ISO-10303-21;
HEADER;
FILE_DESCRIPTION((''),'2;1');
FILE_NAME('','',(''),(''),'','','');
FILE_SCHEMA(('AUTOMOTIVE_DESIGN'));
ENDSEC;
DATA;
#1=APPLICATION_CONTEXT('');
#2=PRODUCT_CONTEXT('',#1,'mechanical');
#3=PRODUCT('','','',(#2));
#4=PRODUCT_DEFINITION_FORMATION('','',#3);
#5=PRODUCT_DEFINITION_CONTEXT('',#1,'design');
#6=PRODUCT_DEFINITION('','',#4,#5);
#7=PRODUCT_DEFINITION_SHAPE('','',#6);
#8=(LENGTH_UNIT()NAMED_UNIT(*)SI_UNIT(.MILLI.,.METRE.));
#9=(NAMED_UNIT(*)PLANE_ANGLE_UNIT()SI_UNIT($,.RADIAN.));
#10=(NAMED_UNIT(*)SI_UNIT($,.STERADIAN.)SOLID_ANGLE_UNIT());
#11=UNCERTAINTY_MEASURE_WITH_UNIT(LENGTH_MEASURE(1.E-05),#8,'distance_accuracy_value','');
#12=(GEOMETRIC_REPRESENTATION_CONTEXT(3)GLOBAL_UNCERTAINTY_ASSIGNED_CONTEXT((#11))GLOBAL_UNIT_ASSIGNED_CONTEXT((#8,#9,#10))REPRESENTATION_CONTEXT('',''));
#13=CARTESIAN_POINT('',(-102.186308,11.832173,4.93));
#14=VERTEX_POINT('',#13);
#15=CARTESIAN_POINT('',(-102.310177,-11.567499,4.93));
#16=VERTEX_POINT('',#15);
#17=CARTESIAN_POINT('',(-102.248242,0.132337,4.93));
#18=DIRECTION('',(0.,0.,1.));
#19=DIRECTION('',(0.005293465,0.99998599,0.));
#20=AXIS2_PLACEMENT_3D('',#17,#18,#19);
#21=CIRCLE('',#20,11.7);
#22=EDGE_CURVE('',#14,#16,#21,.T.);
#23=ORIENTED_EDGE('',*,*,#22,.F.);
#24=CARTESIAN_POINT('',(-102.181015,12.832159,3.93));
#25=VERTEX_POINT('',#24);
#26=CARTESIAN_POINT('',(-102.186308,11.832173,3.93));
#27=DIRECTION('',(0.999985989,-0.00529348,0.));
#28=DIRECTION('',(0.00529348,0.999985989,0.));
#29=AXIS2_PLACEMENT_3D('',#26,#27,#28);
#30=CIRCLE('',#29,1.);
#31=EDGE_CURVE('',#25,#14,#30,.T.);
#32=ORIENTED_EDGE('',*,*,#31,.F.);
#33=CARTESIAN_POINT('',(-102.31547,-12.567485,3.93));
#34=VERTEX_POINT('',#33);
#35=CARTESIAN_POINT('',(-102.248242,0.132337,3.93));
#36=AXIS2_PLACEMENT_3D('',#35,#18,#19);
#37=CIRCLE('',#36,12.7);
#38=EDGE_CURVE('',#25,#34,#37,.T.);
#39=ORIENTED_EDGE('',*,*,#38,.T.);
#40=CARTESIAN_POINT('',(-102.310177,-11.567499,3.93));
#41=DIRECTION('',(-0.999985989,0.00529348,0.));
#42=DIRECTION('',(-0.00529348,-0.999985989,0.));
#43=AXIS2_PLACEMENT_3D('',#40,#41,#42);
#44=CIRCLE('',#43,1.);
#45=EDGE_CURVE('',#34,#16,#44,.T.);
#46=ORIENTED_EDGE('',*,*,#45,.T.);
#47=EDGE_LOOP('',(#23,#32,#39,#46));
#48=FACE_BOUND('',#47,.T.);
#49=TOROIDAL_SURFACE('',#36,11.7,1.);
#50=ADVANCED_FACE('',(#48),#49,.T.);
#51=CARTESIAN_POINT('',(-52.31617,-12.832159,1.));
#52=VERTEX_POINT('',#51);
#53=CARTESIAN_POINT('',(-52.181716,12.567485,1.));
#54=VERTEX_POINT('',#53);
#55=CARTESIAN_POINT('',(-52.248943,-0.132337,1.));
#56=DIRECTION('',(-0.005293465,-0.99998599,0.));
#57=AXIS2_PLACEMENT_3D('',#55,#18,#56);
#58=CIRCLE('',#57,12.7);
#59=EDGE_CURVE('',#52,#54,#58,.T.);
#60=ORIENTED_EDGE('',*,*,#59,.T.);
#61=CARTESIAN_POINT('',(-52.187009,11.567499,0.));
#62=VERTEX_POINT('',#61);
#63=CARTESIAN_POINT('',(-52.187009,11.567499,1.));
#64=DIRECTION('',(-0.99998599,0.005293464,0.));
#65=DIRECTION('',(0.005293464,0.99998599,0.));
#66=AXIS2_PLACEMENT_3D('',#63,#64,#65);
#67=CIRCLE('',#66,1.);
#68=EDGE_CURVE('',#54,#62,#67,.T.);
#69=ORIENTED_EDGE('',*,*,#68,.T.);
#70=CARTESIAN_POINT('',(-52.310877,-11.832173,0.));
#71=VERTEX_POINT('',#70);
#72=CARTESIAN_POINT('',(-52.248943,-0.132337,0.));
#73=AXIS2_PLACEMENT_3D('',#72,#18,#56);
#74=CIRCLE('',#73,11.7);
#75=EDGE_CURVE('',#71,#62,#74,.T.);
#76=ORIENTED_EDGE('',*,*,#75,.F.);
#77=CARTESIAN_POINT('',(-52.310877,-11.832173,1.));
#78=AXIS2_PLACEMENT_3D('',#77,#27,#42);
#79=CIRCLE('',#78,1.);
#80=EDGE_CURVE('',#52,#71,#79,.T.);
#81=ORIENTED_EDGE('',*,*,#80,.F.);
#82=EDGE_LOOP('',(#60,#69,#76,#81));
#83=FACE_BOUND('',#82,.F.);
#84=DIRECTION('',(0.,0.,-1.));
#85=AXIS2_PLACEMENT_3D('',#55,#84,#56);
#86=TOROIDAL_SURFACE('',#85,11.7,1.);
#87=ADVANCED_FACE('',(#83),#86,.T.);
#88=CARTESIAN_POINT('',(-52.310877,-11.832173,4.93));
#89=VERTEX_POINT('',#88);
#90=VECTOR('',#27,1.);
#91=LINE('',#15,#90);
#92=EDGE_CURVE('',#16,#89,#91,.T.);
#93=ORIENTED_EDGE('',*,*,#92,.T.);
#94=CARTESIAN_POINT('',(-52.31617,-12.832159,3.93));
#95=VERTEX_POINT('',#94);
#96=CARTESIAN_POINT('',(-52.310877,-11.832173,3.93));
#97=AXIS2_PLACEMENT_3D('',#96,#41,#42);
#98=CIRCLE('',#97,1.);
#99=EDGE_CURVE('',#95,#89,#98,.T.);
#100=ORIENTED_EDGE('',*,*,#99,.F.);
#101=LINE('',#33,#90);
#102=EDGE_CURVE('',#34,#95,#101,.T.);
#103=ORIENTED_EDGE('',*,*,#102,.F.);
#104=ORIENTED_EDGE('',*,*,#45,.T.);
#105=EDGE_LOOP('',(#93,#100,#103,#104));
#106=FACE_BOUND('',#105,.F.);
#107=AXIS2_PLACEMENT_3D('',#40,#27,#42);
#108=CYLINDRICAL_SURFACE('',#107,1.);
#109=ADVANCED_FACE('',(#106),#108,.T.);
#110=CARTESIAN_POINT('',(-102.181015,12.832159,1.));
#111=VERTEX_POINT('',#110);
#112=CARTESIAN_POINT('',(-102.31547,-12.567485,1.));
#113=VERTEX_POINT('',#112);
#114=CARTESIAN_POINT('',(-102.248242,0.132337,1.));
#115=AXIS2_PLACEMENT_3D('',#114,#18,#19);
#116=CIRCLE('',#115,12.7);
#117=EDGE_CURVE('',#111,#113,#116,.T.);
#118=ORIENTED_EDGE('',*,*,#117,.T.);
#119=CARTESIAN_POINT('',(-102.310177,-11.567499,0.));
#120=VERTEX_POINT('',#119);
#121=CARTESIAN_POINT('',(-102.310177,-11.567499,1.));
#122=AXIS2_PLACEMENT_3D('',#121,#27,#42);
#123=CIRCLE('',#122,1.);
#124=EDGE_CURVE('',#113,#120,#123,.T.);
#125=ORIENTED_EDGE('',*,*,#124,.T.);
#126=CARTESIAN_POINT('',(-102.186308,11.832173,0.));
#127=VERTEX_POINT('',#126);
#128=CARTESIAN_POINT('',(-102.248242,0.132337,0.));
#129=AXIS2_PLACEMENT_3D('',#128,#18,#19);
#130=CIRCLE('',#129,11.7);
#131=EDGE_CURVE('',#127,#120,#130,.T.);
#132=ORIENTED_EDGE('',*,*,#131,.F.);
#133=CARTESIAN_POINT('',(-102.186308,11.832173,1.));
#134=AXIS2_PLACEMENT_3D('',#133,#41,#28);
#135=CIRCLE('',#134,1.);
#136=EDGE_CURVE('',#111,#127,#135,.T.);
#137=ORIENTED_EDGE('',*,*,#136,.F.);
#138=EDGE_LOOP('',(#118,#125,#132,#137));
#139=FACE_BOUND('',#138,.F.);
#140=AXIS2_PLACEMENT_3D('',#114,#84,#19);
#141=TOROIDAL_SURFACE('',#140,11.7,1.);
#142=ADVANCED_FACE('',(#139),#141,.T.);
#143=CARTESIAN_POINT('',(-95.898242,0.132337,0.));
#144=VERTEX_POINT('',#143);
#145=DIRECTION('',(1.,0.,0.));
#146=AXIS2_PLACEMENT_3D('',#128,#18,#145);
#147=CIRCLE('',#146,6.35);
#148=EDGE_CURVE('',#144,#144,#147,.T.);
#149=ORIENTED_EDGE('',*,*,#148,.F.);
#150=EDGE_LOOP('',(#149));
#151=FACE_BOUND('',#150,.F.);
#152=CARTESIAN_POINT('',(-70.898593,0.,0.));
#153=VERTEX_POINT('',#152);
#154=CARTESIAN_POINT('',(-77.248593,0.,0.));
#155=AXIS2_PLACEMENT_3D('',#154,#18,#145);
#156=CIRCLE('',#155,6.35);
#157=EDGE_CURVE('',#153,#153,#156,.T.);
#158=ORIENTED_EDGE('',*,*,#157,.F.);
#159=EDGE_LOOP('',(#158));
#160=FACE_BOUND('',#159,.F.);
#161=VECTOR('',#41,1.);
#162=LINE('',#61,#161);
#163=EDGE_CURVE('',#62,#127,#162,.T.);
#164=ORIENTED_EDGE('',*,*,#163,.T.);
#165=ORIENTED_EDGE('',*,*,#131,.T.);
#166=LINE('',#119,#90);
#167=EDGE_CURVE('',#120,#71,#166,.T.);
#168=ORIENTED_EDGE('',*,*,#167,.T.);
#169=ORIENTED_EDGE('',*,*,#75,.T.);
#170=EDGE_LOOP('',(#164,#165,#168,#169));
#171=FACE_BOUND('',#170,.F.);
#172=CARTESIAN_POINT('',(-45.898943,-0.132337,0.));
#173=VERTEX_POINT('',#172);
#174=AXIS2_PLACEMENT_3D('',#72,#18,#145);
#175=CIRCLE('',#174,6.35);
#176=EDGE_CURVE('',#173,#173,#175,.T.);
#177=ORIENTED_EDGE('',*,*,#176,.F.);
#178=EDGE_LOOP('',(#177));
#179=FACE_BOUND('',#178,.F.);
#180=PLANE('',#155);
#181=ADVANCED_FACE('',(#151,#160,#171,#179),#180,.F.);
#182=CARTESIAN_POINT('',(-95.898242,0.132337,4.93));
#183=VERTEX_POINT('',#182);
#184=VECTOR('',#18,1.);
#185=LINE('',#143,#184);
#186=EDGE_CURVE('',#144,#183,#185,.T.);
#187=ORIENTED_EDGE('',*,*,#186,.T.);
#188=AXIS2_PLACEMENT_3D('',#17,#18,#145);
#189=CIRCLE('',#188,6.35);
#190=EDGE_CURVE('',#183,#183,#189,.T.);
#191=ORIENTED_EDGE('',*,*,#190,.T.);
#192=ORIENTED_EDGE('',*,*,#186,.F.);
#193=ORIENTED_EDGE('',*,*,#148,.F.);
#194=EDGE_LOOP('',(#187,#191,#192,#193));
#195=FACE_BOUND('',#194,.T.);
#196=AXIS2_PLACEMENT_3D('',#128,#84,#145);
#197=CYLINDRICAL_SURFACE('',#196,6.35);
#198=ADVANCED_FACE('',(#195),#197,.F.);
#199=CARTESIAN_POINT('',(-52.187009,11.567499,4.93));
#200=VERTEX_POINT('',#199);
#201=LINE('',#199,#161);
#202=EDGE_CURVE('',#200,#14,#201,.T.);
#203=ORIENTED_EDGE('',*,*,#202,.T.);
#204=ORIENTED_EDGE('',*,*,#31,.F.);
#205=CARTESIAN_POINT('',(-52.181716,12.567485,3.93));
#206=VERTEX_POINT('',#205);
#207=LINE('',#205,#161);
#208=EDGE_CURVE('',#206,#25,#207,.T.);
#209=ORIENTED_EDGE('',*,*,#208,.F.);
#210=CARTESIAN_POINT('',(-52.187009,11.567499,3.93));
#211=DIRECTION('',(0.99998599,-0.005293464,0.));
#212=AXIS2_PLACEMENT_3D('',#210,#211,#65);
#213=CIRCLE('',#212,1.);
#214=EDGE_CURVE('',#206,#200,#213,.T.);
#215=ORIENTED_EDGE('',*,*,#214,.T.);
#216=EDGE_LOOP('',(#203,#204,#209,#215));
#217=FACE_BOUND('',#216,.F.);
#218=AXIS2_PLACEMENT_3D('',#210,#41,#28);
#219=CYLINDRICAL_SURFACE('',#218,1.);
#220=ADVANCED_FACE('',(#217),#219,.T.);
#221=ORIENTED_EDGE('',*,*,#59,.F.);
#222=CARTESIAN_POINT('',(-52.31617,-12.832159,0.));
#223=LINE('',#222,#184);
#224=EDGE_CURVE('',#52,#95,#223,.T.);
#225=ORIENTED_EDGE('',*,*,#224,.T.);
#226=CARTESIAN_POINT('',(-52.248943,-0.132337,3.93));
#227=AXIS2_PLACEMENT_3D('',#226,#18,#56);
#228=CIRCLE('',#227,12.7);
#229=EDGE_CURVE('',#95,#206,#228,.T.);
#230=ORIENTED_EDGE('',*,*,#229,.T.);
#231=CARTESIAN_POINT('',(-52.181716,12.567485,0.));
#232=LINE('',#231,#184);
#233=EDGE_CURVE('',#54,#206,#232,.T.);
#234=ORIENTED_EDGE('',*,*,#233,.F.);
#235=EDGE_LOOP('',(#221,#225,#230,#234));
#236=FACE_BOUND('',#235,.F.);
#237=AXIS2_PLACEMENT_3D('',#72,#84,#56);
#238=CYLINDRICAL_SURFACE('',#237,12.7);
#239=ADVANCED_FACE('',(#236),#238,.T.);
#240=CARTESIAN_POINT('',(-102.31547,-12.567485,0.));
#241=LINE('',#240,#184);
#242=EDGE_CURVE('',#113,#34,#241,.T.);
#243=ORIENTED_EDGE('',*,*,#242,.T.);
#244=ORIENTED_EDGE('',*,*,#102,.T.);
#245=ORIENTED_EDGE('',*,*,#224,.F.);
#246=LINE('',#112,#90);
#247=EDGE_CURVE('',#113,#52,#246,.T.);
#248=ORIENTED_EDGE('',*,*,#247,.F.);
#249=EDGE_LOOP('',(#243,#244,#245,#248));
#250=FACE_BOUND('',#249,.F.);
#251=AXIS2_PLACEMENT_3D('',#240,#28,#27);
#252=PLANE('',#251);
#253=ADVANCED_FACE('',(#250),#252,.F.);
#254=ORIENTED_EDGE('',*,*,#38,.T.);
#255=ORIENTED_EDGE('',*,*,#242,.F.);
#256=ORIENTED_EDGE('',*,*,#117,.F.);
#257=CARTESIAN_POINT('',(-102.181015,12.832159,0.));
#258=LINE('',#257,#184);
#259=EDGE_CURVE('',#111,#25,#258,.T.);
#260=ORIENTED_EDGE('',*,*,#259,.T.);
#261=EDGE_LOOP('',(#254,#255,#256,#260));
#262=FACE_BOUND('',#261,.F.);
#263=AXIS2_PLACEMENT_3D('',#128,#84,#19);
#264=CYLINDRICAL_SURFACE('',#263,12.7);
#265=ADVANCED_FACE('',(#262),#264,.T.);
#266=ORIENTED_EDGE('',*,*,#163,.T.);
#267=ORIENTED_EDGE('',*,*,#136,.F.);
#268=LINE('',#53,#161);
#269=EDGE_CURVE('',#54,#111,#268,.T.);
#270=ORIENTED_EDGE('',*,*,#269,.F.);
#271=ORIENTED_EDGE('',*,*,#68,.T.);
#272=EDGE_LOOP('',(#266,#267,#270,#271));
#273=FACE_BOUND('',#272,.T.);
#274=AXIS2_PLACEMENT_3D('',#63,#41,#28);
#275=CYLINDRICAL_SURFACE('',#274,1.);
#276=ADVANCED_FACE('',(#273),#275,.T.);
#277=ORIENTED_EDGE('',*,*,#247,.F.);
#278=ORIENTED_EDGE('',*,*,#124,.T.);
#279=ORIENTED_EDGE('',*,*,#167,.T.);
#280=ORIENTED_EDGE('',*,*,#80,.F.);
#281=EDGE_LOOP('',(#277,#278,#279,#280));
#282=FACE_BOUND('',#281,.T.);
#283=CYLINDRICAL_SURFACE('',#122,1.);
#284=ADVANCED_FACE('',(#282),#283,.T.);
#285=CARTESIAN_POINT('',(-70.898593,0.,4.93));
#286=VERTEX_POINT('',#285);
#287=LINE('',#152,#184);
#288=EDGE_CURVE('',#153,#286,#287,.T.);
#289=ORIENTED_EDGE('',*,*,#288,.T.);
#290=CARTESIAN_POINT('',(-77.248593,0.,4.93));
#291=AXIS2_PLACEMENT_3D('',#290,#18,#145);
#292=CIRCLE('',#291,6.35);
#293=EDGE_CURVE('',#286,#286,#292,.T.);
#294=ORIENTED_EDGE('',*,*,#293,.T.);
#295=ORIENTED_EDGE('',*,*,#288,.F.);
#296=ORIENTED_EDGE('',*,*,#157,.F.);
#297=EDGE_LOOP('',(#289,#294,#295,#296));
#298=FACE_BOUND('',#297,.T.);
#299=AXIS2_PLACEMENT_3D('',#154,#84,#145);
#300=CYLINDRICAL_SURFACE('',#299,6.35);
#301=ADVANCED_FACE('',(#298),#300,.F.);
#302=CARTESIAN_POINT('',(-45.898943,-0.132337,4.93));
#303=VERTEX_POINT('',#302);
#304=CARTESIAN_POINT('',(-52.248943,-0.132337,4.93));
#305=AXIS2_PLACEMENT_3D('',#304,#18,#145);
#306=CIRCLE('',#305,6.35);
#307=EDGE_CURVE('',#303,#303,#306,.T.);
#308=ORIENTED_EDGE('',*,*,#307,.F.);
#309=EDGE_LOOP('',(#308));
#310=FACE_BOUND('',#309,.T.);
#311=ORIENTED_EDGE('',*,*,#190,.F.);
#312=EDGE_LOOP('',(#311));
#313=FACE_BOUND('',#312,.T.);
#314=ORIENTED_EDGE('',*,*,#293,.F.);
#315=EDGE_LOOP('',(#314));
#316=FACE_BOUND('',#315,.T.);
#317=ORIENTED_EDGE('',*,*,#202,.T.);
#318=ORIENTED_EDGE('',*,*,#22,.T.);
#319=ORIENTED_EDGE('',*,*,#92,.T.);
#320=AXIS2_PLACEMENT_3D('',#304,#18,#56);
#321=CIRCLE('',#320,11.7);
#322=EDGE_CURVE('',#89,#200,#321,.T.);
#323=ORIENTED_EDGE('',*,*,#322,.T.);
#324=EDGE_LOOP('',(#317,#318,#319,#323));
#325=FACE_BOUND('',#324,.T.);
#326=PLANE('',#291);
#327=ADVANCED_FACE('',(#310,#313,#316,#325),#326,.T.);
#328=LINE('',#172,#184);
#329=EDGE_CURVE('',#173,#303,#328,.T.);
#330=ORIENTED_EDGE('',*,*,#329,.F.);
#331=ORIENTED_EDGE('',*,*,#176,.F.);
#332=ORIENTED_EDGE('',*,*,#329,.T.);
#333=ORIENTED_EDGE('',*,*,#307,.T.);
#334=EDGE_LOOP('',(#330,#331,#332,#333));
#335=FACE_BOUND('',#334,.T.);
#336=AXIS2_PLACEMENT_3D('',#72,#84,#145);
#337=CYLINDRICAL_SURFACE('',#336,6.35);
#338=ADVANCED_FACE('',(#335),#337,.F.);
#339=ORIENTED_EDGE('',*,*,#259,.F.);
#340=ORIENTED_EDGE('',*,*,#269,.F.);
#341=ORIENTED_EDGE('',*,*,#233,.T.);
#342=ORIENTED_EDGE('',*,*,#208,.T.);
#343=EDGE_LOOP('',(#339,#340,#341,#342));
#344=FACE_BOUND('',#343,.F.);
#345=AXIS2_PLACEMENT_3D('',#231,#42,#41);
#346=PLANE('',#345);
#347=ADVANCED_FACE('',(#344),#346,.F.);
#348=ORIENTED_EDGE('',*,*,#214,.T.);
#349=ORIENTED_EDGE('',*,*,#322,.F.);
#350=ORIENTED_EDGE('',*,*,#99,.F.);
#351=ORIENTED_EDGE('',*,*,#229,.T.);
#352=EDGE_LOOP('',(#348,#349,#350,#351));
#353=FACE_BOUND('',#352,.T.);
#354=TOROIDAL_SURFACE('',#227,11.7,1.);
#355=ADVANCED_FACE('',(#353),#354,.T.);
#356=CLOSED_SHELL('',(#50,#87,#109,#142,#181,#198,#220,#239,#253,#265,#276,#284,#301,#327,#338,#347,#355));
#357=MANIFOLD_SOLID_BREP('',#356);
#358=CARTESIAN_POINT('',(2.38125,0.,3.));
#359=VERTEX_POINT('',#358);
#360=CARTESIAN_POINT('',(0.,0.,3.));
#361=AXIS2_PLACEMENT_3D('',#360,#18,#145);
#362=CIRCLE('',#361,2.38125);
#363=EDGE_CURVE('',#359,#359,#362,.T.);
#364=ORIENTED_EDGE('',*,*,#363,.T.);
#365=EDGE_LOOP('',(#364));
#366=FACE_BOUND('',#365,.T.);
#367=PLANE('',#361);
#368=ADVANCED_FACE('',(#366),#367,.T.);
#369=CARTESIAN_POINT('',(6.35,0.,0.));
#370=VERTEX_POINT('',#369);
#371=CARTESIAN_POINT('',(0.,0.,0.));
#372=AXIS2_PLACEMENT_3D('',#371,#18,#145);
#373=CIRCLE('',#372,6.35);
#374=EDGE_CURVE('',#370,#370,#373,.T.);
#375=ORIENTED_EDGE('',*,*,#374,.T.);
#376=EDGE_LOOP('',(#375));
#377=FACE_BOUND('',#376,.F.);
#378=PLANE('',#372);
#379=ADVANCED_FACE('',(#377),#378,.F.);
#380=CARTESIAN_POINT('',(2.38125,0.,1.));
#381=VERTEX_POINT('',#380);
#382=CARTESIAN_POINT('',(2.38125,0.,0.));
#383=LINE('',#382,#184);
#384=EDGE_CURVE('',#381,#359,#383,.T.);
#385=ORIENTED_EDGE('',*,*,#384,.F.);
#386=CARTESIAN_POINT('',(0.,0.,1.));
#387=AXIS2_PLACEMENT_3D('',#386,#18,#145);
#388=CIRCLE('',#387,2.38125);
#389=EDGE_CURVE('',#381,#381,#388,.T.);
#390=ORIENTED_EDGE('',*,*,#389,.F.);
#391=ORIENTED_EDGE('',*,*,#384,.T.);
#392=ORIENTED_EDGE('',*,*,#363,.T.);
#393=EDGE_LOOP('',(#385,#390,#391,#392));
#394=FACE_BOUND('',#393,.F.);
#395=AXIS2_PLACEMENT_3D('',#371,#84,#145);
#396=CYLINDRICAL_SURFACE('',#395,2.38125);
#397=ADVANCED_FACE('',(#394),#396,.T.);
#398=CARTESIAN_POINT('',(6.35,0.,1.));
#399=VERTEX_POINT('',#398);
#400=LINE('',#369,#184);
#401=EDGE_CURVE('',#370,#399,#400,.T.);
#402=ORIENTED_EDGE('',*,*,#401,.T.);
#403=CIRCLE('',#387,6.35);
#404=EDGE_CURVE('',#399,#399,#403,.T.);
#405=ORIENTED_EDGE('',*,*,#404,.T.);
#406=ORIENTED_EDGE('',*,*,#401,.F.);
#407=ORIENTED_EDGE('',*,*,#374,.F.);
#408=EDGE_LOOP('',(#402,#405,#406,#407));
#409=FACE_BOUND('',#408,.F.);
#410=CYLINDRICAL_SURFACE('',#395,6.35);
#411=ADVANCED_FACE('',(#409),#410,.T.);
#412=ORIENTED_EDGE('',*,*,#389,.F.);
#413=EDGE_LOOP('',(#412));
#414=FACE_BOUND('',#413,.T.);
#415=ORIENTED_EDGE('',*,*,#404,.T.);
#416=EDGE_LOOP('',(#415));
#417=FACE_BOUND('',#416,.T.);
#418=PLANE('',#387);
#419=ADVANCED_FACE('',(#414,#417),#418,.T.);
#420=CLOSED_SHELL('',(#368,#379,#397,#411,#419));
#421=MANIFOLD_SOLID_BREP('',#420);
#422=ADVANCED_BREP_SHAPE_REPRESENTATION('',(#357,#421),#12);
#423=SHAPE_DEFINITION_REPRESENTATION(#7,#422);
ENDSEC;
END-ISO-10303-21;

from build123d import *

# Parameters (mm, degrees)
F0_R     = 6.35
F1_DEPTH = 4.93
F2_R     = 1
F0_R_2   = 2.38125
F3_DEPTH = 1
F4_DEPTH = 3


with BuildPart() as f1:
    # F0 (on Top) → F1 (new body)
    with BuildSketch(Plane.XY):
        with BuildLine():
            Line((-52.181716, 12.567485), (-102.181015, 12.832159))
            ThreePointArc((-102.181015, 12.832159), (-114.948064, 0.199565), (-102.31547, -12.567485))
            Line((-102.31547, -12.567485), (-52.31617, -12.832159))
            ThreePointArc((-52.31617, -12.832159), (-39.549121, -0.199565), (-52.181716, 12.567485))
        make_face()
        with Locations((-77.248593, 0)):
            Circle(F0_R, mode=Mode.SUBTRACT)
        with Locations((-52.248943, -0.132337)):
            Circle(F0_R, mode=Mode.SUBTRACT)
        with Locations((-102.248242, 0.132337)):
            Circle(F0_R, mode=Mode.SUBTRACT)
    extrude(amount=F1_DEPTH)

    # F2
    f2_edges = [f1.edges().sort_by_distance(p)[0] for p in [
        (-77.31582, -12.699822, 4.93),
        (-77.31582, -12.699822, 0),
        (-77.181365, 12.699822, 0),
    ]]
    fillet(f2_edges, radius=F2_R)


with BuildPart() as f3:
    # F0 (on Top) → F3 (new body)
    with BuildSketch(Plane.XY):
        Circle(F0_R)
        Circle(F0_R_2, mode=Mode.SUBTRACT)
    extrude(amount=F3_DEPTH)

    # F0 (on Top) → F4 (join)
    with BuildSketch(Plane.XY):
        Circle(F0_R_2)
    extrude(amount=F4_DEPTH)


solid = Compound([f1.part, f3.part])
